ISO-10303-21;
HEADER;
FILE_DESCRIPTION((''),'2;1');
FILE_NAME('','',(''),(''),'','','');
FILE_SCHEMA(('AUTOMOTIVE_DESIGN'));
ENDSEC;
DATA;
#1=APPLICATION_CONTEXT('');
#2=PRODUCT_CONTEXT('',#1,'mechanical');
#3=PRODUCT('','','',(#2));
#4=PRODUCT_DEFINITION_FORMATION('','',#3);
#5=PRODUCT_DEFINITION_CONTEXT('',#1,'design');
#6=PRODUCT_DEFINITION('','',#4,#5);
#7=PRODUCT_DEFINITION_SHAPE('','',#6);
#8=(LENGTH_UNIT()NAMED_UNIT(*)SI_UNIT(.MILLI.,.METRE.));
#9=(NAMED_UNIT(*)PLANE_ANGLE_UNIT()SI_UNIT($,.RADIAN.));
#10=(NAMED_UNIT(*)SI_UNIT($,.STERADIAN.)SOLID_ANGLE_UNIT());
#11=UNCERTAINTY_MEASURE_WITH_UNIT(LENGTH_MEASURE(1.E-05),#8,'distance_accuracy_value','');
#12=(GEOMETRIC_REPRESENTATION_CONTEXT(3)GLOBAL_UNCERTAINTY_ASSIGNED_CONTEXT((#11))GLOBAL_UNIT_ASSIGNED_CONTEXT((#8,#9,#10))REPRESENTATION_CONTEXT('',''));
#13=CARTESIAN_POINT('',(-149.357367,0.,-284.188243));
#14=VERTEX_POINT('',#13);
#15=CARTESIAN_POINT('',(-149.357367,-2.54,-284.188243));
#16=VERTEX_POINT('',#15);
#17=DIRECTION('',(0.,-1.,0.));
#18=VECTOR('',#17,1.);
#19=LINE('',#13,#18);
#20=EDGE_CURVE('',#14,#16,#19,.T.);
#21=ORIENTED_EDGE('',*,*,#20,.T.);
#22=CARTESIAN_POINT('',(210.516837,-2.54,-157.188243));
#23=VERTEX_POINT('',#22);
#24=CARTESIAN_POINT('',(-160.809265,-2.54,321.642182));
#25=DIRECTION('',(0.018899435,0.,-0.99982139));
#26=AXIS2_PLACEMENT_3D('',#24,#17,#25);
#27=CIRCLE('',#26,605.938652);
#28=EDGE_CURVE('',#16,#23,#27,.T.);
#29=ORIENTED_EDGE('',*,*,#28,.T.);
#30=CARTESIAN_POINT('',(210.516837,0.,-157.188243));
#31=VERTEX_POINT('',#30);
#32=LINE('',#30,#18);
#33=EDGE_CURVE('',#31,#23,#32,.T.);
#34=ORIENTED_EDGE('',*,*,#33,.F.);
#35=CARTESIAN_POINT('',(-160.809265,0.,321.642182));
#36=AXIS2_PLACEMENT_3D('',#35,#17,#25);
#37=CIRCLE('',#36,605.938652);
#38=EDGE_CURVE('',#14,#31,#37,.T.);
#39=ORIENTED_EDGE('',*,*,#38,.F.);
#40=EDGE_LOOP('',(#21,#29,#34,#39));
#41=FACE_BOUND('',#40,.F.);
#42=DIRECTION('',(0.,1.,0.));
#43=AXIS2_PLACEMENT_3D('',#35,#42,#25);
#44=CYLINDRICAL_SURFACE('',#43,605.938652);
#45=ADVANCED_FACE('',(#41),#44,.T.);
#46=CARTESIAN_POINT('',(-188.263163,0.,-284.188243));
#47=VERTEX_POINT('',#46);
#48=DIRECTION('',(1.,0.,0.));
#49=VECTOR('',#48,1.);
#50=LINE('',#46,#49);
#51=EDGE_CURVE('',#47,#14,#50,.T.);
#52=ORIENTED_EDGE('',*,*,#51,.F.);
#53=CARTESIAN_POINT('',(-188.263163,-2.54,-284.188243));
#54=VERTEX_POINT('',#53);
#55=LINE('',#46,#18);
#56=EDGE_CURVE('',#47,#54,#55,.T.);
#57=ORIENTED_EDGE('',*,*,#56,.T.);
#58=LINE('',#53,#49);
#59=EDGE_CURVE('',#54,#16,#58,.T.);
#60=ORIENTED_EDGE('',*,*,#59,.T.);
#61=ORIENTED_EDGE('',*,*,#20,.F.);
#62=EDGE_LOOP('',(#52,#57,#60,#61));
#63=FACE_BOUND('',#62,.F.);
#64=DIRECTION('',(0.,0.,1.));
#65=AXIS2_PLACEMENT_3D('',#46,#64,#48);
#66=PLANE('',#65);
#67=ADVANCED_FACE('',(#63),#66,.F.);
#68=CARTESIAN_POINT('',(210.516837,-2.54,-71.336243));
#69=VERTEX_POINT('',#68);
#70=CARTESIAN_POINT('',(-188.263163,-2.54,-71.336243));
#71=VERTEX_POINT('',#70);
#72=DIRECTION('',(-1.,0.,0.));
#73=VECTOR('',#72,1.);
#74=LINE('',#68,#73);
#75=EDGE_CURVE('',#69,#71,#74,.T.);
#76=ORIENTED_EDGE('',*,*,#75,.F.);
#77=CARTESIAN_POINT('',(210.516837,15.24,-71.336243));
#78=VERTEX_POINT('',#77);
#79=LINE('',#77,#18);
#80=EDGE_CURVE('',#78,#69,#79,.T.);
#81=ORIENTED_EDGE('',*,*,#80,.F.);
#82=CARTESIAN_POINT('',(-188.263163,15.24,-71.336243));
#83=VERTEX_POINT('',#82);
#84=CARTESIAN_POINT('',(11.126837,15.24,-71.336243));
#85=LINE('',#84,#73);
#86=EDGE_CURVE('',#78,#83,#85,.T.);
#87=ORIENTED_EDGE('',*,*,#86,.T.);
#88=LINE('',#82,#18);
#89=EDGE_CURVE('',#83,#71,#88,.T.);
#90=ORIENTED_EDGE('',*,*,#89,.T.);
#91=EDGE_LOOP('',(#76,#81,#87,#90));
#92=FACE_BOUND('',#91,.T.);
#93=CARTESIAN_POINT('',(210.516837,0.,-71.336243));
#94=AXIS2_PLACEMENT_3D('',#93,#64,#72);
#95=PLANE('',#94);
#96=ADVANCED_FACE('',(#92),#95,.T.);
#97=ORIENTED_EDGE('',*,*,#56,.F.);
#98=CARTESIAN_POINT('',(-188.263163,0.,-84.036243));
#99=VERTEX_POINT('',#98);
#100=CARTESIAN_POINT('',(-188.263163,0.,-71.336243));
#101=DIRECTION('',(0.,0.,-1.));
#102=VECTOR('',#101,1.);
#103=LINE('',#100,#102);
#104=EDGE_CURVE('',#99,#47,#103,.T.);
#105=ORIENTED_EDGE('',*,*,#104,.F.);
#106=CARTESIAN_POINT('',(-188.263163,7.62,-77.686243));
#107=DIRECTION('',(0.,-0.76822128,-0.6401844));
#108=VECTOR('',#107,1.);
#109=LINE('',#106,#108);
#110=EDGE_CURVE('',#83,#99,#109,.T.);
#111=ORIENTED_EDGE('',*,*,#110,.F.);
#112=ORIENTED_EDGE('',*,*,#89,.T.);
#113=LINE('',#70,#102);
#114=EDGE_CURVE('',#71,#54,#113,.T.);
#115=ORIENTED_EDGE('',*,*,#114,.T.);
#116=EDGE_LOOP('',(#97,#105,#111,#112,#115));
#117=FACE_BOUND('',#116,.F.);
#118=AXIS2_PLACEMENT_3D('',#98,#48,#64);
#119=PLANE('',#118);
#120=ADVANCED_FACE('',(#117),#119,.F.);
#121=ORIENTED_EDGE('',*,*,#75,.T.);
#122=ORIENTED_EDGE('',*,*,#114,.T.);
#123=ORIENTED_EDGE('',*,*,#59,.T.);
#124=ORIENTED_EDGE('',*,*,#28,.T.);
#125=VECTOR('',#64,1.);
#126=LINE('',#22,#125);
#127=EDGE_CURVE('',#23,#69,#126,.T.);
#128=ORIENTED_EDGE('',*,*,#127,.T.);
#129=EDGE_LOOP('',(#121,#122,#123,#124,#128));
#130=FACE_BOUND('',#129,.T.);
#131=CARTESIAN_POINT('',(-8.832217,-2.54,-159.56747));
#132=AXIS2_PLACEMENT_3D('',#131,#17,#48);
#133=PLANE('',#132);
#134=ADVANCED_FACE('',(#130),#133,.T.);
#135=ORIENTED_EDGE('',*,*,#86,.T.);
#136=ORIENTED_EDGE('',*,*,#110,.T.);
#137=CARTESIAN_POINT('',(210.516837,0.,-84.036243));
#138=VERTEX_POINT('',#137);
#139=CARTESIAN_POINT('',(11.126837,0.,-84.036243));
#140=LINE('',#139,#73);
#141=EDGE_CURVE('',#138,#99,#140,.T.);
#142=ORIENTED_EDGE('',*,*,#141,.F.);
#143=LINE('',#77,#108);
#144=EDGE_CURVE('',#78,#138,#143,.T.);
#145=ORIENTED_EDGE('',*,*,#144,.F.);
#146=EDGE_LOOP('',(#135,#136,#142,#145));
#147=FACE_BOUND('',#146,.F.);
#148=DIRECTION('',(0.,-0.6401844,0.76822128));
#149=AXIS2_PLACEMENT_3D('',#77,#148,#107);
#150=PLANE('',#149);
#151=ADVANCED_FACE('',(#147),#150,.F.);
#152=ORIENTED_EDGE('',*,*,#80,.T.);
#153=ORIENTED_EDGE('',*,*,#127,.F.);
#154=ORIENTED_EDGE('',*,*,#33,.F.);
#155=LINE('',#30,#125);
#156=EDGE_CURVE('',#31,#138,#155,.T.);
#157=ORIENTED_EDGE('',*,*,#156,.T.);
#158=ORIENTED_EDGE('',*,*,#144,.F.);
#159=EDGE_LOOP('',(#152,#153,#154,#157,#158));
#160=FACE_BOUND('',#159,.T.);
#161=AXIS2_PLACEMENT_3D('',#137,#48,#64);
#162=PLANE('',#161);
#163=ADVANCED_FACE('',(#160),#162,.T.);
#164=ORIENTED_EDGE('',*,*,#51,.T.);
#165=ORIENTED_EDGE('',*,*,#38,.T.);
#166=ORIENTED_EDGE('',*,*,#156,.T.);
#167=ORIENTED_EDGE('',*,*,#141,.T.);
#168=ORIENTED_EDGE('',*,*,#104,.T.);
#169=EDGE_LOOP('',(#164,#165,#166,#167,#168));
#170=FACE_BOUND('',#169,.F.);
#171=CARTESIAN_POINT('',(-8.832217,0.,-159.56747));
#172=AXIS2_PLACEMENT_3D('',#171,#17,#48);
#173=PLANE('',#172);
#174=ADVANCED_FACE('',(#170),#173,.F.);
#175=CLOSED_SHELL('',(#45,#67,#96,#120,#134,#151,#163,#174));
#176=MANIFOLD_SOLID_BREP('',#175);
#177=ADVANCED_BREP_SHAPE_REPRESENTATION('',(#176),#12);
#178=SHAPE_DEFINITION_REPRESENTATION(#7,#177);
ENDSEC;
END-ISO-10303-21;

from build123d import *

# Parameters (mm, degrees)
F1_DEPTH = 2.54
F2_W     = 398.78
F2_H     = 12.7
F3_DEPTH = 15.24
F5_DEPTH = 406.4


with BuildPart() as f1:
    # F0 (on Front) → F1 (new body)
    with BuildSketch(Plane.XZ):
        with BuildLine():
            Line((210.516836579, -71.3362430625), (-188.263163421, -71.3362430625))
            Line((-188.263163421, -71.3362430625), (-188.263163421, -139.4082430625))
            Line((-188.263163421, -139.4082430625), (-188.263163421, -284.1882430625))
            Line((-188.263163421, -284.1882430625), (-172.261163421, -284.1882430625))
            Line((-172.261163421, -284.1882430625), (-149.3573673049, -284.1882430625))
            ThreePointArc((-149.3573673049, -284.1882430625), (40.8389414751, -249.7592973406), (210.516836579, -157.1882430625))
            Line((210.516836579, -157.1882430625), (210.516836579, -71.3362430625))
        make_face()
    extrude(amount=F1_DEPTH)

    # F2 (on face) → F3 (join)
    with BuildSketch(Plane(origin=(0, 0, 0), x_dir=(-1, 0, 0), z_dir=(0, 1, 0))):
        with Locations((-11.126836579, -77.6862430625)):
            Rectangle(F2_W, F2_H)
    extrude(amount=F3_DEPTH)

    # F4 (on face) → F5 (cut)
    with BuildSketch(Plane.YZ.offset(210.516836579)):
        Polygon((15.24, -71.3362430625), (0, -84.0362430625), (15.24, -84.0362430625), align=None)
    extrude(amount=-F5_DEPTH, mode=Mode.SUBTRACT)


solid = f1.part
